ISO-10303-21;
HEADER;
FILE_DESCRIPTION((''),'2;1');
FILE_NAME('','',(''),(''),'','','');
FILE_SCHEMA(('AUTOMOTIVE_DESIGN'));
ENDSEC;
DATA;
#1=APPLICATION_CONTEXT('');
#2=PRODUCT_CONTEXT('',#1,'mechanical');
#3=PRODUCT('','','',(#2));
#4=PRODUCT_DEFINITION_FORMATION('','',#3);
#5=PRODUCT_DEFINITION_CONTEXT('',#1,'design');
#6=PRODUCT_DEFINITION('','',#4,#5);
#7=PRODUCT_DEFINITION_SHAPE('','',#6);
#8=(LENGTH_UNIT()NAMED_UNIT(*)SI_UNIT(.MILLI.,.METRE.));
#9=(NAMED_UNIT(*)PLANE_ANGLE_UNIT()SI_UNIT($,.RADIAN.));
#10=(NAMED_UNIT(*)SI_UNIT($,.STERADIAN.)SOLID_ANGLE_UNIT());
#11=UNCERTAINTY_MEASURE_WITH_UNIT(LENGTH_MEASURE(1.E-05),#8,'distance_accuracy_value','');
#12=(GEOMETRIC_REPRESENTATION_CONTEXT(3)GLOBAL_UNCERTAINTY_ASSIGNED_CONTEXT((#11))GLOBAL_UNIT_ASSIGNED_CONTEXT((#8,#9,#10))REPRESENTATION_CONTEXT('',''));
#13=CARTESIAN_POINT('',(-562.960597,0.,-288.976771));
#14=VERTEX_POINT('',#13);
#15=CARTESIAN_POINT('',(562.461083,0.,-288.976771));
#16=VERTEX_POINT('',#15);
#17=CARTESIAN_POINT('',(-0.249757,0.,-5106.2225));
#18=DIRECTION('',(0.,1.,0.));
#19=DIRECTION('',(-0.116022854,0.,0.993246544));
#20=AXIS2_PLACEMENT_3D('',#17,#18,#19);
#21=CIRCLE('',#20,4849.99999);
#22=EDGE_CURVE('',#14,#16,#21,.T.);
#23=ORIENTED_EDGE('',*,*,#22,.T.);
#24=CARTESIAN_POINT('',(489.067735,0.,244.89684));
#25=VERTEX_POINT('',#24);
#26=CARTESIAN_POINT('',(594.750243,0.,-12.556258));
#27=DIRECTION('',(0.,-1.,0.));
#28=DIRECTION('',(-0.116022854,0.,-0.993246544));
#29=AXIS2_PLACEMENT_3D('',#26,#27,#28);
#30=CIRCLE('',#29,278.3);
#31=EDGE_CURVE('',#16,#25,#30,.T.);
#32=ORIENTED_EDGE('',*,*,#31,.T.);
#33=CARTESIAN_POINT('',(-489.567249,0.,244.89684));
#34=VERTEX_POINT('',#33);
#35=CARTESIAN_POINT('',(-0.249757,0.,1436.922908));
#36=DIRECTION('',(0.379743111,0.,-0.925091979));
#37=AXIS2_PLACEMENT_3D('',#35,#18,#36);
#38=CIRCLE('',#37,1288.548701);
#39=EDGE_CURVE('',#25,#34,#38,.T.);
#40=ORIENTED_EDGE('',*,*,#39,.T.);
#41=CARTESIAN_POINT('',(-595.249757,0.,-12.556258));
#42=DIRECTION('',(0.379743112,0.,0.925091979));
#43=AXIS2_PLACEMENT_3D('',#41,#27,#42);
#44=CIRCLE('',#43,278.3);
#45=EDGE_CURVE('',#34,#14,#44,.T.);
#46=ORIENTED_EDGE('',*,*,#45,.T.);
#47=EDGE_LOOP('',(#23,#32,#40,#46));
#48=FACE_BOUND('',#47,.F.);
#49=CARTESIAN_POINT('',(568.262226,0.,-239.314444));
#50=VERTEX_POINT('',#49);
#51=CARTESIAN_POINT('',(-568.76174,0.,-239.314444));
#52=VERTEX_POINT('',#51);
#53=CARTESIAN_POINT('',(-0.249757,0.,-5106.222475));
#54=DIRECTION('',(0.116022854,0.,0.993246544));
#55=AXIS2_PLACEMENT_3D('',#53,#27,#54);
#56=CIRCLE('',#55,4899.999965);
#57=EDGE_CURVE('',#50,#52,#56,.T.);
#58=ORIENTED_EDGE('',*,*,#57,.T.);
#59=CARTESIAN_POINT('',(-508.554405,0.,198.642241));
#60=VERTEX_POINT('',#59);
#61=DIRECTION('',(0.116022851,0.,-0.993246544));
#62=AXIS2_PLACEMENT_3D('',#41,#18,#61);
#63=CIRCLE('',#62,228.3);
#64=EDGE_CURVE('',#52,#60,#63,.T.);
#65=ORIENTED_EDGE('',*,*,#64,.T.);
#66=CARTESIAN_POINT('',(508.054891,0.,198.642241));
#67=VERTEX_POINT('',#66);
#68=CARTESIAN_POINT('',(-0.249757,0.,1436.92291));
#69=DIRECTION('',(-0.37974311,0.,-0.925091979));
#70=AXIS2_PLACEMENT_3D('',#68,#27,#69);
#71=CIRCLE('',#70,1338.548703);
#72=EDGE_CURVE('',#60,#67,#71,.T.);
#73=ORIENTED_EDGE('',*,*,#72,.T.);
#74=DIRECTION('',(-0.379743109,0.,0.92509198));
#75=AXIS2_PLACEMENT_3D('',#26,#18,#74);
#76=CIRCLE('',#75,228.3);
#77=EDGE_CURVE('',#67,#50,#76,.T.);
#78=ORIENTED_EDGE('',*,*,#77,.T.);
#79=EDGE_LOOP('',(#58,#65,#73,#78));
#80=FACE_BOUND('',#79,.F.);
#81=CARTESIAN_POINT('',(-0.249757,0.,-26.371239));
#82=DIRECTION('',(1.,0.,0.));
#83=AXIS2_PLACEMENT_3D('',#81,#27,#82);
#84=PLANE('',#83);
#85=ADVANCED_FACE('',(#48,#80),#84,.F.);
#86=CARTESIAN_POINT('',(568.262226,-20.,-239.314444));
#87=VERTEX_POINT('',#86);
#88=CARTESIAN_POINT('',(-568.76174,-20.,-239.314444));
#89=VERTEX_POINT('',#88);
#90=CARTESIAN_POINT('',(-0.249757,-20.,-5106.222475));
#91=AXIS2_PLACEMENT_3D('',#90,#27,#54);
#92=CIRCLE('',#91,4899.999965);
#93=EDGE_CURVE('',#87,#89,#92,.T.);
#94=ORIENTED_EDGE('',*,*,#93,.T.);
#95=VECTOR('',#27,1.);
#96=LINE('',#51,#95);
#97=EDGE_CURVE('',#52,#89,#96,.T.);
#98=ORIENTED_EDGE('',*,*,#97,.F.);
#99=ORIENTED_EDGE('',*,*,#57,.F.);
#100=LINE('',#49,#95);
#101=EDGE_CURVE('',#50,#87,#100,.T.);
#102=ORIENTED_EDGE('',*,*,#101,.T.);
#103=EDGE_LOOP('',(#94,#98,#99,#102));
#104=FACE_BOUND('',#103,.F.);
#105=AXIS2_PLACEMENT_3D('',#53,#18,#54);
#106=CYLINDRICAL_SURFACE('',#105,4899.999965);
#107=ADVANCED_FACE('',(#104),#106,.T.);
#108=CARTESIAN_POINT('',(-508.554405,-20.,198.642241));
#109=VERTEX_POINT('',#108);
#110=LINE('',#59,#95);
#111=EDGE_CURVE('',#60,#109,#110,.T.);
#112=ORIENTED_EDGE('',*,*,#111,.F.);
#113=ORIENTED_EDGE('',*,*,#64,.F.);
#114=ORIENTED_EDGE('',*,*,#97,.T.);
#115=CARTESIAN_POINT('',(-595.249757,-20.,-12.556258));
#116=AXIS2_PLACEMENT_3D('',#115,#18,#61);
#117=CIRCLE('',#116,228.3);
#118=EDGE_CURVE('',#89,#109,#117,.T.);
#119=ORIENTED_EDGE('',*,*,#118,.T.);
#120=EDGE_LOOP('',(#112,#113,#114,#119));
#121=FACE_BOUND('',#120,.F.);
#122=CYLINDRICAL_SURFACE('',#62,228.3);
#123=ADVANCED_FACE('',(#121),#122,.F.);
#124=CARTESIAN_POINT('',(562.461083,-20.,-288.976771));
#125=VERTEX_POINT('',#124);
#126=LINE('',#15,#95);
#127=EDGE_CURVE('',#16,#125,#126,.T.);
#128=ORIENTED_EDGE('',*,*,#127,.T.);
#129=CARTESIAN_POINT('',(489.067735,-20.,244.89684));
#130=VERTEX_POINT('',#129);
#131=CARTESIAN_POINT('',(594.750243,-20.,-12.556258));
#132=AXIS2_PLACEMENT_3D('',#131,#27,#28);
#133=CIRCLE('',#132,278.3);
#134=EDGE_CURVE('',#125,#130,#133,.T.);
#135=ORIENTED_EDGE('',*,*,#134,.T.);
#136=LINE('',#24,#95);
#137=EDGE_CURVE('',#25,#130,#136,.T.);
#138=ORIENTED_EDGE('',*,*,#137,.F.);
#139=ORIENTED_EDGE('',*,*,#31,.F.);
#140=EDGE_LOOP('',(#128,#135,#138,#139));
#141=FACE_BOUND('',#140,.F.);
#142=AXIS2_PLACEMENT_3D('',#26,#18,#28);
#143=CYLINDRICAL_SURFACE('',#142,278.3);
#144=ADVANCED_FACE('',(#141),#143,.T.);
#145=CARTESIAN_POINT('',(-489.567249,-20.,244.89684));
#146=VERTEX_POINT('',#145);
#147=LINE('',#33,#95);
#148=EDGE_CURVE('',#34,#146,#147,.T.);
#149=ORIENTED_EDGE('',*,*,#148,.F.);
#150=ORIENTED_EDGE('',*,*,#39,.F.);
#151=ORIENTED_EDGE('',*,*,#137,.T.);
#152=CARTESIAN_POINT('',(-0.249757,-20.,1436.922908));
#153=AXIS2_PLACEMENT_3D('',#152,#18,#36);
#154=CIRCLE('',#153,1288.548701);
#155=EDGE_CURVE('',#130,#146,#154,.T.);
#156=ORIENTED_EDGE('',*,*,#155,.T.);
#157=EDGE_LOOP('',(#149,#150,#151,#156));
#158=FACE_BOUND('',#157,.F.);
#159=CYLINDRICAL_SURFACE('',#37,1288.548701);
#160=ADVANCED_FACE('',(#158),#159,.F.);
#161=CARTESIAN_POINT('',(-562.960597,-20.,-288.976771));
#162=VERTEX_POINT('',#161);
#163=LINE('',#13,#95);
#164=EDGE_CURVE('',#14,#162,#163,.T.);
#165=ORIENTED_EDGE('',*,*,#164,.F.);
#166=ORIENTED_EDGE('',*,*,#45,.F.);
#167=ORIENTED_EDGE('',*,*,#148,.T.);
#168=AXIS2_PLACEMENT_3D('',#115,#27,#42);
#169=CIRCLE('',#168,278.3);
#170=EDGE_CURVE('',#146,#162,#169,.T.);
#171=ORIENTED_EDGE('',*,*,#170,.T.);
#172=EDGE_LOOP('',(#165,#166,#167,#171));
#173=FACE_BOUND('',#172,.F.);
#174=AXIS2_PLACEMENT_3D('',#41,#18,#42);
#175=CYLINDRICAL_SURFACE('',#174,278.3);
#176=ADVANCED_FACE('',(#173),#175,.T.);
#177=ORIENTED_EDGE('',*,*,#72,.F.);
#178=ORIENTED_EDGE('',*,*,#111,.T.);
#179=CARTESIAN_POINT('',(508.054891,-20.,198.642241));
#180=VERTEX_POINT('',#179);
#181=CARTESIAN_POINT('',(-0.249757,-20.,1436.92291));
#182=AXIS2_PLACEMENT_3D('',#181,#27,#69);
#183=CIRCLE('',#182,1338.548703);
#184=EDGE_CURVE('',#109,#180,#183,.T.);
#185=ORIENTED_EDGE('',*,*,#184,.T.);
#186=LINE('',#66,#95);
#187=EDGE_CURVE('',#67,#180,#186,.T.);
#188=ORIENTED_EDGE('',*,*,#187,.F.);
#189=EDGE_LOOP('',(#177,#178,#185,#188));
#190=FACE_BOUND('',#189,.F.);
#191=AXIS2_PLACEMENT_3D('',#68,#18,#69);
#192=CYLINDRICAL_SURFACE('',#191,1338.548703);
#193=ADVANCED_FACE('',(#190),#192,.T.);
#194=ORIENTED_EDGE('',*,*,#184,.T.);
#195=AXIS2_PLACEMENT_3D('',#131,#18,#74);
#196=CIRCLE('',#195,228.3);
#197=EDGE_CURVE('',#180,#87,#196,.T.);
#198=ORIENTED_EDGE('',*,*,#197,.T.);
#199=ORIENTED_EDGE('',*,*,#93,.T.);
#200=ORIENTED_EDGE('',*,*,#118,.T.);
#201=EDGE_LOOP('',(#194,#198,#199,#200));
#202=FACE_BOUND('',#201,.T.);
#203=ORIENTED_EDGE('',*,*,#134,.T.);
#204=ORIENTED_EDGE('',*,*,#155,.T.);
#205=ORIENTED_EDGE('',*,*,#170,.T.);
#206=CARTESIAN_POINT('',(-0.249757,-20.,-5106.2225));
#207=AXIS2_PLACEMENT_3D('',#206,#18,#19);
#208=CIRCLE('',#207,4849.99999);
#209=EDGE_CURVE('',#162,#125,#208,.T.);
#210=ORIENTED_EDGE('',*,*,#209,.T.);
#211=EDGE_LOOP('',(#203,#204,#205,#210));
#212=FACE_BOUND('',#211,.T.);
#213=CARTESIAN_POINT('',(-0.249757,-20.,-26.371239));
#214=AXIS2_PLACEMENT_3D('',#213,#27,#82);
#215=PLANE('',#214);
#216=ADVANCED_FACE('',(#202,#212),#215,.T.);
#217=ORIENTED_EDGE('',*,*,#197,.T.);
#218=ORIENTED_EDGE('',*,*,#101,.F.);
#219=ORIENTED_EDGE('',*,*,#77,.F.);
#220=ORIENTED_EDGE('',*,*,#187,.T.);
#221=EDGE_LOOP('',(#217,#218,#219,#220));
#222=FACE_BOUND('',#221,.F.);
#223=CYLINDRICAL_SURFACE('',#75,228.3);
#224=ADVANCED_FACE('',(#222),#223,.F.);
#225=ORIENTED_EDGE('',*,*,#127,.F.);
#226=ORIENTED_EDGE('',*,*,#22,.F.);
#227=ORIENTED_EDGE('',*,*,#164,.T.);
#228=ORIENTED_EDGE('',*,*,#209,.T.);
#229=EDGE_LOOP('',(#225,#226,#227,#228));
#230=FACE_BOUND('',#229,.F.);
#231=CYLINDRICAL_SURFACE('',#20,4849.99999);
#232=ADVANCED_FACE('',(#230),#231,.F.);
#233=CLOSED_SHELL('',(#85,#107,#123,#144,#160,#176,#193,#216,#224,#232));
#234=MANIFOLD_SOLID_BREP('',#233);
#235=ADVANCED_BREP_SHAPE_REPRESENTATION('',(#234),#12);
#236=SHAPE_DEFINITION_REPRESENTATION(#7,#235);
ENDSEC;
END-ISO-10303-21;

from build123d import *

# Parameters (mm, degrees)
F1_DEPTH = 20


with BuildPart() as f1:
    # F0 (on Front) → F1 (new body)
    with BuildSketch(Plane.XZ):
        with BuildLine():
            ThreePointArc((489.067735, 244.89684), (-0.249757, 148.374207), (-489.567249, 244.89684))
            ThreePointArc((-489.567249, 244.89684), (-870.956673, 25.346072), (-562.960597, -288.976771))
            ThreePointArc((-562.960597, -288.976771), (-0.249757, -256.22251), (562.461083, -288.976771))
            ThreePointArc((562.461083, -288.976771), (870.457159, 25.346072), (489.067735, 244.89684))
        make_face()
        with BuildLine():
            ThreePointArc((-568.76174, -239.314444), (-821.422552, 18.536454), (-508.554405, 198.642241))
            ThreePointArc((-508.554405, 198.642241), (-0.249757, 98.374207), (508.054891, 198.642241))
            ThreePointArc((508.054891, 198.642241), (820.923038, 18.536454), (568.262226, -239.314444))
            ThreePointArc((568.262226, -239.314444), (-0.249757, -206.22251), (-568.76174, -239.314444))
        make_face(mode=Mode.SUBTRACT)
    extrude(amount=F1_DEPTH)


solid = f1.part
